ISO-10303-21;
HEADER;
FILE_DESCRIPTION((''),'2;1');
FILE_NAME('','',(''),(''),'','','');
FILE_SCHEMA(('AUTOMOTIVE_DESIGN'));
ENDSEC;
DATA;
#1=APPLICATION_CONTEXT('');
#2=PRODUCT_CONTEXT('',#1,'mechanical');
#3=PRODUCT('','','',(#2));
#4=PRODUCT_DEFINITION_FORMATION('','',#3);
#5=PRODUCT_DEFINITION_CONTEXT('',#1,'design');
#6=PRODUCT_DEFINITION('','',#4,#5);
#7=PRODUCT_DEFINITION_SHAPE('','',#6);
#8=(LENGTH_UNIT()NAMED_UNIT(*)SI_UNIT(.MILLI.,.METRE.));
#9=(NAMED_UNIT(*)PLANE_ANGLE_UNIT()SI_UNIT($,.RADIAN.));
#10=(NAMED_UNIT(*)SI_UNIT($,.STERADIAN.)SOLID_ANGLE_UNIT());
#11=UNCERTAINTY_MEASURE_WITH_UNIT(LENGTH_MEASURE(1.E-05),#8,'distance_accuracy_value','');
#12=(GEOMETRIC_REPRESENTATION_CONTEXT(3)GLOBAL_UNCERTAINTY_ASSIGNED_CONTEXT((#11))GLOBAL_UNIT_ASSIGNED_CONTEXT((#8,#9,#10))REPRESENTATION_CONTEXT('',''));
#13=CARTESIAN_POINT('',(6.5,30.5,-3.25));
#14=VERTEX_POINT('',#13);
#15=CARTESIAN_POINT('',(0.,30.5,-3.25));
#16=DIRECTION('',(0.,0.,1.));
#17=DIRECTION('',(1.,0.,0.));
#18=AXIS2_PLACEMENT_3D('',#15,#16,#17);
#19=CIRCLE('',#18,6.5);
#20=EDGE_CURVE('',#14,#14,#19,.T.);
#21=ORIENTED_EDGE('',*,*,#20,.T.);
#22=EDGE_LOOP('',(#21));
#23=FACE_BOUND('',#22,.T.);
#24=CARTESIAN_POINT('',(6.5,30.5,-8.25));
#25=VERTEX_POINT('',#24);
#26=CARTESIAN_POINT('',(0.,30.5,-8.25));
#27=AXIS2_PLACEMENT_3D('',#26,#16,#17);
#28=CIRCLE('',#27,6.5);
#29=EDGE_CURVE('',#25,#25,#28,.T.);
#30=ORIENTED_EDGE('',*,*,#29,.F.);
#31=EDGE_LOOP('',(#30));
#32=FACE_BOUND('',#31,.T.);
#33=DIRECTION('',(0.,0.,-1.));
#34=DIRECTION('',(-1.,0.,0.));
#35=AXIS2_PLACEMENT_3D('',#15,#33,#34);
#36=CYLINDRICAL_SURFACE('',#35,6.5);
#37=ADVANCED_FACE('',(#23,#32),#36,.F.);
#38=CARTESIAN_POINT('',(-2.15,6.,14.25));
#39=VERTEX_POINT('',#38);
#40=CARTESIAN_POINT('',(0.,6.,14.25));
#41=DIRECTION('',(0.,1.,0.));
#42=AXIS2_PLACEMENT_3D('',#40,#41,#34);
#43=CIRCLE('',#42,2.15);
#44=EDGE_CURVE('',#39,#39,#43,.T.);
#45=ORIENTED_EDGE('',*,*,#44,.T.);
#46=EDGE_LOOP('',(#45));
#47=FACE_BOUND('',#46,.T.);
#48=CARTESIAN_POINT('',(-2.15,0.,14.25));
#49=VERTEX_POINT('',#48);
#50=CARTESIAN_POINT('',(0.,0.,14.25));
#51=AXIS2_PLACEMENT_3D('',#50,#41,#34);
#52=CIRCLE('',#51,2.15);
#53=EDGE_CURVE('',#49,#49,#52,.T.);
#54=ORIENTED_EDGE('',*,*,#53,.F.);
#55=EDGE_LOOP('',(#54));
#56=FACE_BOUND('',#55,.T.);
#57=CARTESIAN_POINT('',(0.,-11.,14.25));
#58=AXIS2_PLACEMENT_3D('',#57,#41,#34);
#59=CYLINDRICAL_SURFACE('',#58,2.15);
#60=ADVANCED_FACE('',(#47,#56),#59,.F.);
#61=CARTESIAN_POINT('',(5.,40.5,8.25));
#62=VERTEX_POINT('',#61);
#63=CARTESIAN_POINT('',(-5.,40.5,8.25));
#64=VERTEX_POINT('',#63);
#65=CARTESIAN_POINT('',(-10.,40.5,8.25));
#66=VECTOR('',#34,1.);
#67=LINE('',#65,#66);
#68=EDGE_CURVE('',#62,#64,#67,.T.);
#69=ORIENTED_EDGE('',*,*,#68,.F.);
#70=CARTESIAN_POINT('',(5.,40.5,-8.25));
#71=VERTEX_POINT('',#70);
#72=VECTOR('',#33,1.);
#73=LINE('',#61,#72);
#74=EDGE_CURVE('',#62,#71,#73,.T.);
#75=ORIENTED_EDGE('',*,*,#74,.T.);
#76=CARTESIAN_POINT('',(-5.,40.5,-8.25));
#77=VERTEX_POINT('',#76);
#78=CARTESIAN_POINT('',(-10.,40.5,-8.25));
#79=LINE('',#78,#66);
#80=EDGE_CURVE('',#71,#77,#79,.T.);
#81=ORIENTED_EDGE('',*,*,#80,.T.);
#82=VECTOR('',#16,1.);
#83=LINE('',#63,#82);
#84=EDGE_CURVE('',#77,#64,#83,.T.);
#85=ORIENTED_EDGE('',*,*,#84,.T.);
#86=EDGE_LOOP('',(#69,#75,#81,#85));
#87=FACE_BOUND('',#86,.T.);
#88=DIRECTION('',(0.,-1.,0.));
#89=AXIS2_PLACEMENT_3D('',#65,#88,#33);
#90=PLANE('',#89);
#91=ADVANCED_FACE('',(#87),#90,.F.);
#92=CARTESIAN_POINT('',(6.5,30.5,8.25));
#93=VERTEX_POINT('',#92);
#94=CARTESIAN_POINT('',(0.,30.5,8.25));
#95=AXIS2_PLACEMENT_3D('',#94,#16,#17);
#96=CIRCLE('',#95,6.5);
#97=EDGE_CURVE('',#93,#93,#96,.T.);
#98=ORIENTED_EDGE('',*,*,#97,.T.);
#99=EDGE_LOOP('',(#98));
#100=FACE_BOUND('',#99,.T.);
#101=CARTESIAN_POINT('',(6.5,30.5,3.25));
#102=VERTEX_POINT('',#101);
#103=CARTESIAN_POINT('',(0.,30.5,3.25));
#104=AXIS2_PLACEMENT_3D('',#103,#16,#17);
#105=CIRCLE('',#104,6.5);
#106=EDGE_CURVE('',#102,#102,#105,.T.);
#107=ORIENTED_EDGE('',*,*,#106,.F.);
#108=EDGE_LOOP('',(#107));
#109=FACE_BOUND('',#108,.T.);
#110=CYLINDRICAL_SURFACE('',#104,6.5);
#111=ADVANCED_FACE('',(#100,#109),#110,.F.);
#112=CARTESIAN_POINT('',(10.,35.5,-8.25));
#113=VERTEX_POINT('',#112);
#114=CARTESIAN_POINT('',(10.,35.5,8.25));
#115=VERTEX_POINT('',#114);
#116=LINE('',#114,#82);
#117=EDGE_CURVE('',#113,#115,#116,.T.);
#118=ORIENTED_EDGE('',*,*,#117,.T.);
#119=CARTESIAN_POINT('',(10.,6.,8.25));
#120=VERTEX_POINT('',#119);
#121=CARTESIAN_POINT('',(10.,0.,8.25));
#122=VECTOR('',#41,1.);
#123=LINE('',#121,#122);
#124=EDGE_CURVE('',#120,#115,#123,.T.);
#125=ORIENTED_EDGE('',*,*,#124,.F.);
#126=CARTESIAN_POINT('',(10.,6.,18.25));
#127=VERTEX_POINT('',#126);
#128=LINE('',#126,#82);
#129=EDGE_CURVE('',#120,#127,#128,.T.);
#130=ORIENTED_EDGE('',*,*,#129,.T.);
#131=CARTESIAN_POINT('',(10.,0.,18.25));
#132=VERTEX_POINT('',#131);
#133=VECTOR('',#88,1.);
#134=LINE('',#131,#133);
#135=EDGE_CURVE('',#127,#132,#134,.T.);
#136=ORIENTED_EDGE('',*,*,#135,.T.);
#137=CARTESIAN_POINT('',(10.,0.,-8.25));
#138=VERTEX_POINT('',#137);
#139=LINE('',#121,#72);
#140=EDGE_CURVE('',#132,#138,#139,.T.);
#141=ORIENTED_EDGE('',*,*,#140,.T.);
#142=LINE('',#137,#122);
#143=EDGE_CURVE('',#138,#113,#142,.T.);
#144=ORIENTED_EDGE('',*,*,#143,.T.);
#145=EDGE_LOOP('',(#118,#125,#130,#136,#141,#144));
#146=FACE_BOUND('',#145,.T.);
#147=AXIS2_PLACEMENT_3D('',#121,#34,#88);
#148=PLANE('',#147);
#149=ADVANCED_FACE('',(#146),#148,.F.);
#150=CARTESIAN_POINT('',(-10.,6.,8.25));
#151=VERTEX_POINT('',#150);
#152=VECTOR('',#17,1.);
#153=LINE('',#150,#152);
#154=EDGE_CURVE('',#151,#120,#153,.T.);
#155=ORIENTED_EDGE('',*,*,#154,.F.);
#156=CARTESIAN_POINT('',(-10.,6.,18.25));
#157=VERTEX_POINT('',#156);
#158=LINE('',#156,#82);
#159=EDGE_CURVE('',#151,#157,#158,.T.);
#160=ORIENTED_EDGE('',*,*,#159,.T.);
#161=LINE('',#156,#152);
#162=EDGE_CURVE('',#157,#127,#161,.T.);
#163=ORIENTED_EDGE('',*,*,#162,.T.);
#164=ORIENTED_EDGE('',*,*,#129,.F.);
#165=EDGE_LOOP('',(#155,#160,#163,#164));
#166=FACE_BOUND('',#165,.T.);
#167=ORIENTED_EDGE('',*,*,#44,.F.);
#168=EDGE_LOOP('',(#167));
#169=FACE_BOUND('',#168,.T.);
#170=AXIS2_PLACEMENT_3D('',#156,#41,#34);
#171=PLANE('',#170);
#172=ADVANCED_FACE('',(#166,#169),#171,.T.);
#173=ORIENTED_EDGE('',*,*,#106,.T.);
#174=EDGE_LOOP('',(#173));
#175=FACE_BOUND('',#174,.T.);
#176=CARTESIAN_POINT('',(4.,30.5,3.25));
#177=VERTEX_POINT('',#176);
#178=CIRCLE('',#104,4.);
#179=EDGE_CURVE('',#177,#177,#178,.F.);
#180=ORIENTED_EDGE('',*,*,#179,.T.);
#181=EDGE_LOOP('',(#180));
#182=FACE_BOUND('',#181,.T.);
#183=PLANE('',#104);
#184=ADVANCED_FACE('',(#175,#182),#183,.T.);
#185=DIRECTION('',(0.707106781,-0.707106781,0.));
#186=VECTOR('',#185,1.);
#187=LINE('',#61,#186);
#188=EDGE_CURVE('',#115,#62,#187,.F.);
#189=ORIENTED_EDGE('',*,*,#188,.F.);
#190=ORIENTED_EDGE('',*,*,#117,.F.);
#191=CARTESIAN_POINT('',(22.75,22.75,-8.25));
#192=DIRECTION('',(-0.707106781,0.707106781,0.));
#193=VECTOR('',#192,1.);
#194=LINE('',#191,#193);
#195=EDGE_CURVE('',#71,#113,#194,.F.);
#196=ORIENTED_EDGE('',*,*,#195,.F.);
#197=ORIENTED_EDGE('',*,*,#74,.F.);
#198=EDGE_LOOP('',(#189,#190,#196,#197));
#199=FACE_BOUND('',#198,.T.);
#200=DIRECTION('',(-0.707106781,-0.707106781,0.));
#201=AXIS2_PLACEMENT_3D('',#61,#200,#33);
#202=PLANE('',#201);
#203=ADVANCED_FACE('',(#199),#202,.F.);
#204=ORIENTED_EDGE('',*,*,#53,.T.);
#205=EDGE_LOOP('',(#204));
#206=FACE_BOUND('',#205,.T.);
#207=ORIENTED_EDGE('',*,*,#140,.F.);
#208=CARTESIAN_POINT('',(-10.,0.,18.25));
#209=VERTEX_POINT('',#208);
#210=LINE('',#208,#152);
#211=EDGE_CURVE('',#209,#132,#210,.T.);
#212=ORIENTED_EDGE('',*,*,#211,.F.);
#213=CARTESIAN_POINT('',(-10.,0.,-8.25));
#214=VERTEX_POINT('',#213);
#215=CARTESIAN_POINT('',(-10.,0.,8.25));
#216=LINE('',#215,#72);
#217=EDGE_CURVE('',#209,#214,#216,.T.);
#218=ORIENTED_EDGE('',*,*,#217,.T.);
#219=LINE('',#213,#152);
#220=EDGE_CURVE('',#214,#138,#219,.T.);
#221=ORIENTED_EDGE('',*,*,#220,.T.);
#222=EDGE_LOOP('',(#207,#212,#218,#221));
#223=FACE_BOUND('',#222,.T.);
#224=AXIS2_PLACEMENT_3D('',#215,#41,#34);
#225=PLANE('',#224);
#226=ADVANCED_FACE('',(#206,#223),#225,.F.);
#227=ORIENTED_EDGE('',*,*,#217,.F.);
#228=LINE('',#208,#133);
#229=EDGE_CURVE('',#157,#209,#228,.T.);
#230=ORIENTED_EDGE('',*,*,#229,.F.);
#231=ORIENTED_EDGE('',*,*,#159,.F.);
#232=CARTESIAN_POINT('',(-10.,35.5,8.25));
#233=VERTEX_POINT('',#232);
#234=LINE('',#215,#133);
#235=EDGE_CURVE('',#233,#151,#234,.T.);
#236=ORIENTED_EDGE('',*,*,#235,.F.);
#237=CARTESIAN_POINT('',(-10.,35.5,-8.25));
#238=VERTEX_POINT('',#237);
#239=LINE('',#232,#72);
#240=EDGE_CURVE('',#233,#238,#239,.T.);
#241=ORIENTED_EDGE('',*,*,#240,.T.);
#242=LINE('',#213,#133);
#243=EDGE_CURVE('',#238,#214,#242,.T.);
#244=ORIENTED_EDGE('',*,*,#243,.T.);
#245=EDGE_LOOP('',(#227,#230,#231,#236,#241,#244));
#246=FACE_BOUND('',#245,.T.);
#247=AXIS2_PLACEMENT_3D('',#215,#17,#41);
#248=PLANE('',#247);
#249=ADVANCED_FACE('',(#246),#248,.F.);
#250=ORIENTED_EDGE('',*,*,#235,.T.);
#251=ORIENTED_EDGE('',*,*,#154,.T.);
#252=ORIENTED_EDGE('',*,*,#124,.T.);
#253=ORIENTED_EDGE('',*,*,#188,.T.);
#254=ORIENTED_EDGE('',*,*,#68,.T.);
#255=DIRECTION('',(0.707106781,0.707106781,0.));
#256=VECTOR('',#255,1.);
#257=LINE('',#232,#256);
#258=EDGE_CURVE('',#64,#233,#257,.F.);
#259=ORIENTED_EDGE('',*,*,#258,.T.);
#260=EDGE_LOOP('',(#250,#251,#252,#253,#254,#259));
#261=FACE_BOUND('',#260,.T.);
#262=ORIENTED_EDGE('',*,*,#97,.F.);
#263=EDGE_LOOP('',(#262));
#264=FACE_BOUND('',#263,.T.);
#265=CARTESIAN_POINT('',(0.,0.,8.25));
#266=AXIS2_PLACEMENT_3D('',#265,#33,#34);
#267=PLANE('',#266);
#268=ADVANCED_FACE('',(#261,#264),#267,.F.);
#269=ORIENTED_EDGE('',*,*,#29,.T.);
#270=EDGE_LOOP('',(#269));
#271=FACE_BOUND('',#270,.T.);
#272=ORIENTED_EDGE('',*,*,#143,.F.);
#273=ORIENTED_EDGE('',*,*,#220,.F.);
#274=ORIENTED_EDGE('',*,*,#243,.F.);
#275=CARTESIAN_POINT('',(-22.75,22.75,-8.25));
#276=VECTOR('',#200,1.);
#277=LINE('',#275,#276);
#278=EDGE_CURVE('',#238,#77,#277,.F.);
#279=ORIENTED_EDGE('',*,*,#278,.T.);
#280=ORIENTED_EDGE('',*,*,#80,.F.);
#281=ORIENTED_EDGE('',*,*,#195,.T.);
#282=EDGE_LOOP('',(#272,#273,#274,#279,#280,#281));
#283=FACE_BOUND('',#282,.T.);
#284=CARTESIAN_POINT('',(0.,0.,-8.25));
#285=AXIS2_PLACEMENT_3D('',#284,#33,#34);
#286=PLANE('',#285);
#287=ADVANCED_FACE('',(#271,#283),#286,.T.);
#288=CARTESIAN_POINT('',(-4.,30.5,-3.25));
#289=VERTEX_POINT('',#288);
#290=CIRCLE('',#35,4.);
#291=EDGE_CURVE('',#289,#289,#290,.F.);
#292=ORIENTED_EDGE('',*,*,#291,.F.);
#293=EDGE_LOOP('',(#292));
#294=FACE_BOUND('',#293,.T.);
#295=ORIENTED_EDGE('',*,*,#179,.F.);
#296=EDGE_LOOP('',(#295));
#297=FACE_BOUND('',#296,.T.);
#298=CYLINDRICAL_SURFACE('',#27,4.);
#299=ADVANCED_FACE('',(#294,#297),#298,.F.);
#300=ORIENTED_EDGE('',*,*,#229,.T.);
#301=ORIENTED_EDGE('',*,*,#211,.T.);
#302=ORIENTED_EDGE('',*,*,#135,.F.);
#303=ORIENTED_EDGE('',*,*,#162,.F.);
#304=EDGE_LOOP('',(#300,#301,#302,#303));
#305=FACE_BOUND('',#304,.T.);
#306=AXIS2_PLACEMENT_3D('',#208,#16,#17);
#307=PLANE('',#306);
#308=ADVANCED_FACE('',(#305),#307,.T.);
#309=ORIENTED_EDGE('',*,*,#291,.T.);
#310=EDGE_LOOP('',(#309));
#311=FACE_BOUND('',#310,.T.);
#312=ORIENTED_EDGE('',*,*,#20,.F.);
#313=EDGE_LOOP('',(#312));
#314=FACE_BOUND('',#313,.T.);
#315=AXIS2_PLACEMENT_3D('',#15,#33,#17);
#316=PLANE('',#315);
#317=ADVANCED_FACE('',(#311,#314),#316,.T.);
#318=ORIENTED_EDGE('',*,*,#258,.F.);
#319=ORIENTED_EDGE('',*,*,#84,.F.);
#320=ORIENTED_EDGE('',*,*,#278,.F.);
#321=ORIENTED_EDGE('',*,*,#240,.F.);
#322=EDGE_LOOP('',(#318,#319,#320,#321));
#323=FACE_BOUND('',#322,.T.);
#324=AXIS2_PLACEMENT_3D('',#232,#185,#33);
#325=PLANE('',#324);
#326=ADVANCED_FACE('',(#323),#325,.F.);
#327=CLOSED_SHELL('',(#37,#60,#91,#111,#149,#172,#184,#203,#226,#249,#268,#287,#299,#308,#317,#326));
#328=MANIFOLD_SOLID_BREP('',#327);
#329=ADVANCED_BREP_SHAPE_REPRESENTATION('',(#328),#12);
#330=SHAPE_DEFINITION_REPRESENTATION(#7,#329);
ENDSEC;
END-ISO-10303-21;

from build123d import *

# Parameters (mm, degrees)
SKETCH_1_W          = 20
SKETCH_1_H          = 40.5
EXTRUDE_1_DEPTH     = 8.25
SKETCH_2_R          = 4
CUT_EXTRUDE_1_DEPTH = 17.5
SKETCH_3_R          = 6.5
CUT_EXTRUDE_2_DEPTH = 5
CHAMFER_1_SIZE      = 5
SKETCH_4_W          = 10
SKETCH_4_H          = 6
EXTRUDE_2_DEPTH     = 20
SKETCH_5_R          = 2.15
CUT_EXTRUDE_3_DEPTH = 17


with BuildPart() as part:
    # 草图1 → 凸台-拉伸1 (new body, symmetric)
    with BuildSketch(Plane.XY):
        with Locations((0, 20.25)):
            Rectangle(SKETCH_1_W, SKETCH_1_H)
    extrude(amount=EXTRUDE_1_DEPTH, both=True)

    # 草图2 → 切除-拉伸1 (cut, through all)
    with BuildSketch(Plane.XY.offset(8.25)):
        with Locations((0, 30.5)):
            Circle(SKETCH_2_R)
    extrude(amount=-CUT_EXTRUDE_1_DEPTH, mode=Mode.SUBTRACT)

    # 草图3 → 切除-拉伸2 (cut)
    with BuildSketch(Plane.XY.offset(8.25)):
        with Locations((0, 30.5)):
            Circle(SKETCH_3_R)
    cut_extrude_2 = extrude(amount=-CUT_EXTRUDE_2_DEPTH, mode=Mode.SUBTRACT)

    # 镜向1: 切除-拉伸2 across plane
    add(cut_extrude_2.mirror(Plane.XY), mode=Mode.SUBTRACT)

    # 倒角1
    chamfer_1_edges = [part.edges().sort_by_distance(p)[0] for p in [
        (-10, 40.5, 0),
        (10, 40.5, 0),
    ]]
    chamfer(chamfer_1_edges, length=CHAMFER_1_SIZE)

    # 草图4 → 凸台-拉伸2 (add)
    with BuildSketch(Plane(origin=(10, 0, 0), x_dir=(0, 0, -1), z_dir=(1, 0, 0))):
        with Locations((-13.25, 3)):
            Rectangle(SKETCH_4_W, SKETCH_4_H)
    extrude(amount=-EXTRUDE_2_DEPTH)

    # 草图5 → 切除-拉伸3 (cut)
    with BuildSketch(Plane(origin=(0, 6, 0), x_dir=(1, 0, 0), z_dir=(0, 1, 0))):
        with Locations((0, -14.25)):
            Circle(SKETCH_5_R)
    extrude(amount=-CUT_EXTRUDE_3_DEPTH, mode=Mode.SUBTRACT)


solid = part.part
